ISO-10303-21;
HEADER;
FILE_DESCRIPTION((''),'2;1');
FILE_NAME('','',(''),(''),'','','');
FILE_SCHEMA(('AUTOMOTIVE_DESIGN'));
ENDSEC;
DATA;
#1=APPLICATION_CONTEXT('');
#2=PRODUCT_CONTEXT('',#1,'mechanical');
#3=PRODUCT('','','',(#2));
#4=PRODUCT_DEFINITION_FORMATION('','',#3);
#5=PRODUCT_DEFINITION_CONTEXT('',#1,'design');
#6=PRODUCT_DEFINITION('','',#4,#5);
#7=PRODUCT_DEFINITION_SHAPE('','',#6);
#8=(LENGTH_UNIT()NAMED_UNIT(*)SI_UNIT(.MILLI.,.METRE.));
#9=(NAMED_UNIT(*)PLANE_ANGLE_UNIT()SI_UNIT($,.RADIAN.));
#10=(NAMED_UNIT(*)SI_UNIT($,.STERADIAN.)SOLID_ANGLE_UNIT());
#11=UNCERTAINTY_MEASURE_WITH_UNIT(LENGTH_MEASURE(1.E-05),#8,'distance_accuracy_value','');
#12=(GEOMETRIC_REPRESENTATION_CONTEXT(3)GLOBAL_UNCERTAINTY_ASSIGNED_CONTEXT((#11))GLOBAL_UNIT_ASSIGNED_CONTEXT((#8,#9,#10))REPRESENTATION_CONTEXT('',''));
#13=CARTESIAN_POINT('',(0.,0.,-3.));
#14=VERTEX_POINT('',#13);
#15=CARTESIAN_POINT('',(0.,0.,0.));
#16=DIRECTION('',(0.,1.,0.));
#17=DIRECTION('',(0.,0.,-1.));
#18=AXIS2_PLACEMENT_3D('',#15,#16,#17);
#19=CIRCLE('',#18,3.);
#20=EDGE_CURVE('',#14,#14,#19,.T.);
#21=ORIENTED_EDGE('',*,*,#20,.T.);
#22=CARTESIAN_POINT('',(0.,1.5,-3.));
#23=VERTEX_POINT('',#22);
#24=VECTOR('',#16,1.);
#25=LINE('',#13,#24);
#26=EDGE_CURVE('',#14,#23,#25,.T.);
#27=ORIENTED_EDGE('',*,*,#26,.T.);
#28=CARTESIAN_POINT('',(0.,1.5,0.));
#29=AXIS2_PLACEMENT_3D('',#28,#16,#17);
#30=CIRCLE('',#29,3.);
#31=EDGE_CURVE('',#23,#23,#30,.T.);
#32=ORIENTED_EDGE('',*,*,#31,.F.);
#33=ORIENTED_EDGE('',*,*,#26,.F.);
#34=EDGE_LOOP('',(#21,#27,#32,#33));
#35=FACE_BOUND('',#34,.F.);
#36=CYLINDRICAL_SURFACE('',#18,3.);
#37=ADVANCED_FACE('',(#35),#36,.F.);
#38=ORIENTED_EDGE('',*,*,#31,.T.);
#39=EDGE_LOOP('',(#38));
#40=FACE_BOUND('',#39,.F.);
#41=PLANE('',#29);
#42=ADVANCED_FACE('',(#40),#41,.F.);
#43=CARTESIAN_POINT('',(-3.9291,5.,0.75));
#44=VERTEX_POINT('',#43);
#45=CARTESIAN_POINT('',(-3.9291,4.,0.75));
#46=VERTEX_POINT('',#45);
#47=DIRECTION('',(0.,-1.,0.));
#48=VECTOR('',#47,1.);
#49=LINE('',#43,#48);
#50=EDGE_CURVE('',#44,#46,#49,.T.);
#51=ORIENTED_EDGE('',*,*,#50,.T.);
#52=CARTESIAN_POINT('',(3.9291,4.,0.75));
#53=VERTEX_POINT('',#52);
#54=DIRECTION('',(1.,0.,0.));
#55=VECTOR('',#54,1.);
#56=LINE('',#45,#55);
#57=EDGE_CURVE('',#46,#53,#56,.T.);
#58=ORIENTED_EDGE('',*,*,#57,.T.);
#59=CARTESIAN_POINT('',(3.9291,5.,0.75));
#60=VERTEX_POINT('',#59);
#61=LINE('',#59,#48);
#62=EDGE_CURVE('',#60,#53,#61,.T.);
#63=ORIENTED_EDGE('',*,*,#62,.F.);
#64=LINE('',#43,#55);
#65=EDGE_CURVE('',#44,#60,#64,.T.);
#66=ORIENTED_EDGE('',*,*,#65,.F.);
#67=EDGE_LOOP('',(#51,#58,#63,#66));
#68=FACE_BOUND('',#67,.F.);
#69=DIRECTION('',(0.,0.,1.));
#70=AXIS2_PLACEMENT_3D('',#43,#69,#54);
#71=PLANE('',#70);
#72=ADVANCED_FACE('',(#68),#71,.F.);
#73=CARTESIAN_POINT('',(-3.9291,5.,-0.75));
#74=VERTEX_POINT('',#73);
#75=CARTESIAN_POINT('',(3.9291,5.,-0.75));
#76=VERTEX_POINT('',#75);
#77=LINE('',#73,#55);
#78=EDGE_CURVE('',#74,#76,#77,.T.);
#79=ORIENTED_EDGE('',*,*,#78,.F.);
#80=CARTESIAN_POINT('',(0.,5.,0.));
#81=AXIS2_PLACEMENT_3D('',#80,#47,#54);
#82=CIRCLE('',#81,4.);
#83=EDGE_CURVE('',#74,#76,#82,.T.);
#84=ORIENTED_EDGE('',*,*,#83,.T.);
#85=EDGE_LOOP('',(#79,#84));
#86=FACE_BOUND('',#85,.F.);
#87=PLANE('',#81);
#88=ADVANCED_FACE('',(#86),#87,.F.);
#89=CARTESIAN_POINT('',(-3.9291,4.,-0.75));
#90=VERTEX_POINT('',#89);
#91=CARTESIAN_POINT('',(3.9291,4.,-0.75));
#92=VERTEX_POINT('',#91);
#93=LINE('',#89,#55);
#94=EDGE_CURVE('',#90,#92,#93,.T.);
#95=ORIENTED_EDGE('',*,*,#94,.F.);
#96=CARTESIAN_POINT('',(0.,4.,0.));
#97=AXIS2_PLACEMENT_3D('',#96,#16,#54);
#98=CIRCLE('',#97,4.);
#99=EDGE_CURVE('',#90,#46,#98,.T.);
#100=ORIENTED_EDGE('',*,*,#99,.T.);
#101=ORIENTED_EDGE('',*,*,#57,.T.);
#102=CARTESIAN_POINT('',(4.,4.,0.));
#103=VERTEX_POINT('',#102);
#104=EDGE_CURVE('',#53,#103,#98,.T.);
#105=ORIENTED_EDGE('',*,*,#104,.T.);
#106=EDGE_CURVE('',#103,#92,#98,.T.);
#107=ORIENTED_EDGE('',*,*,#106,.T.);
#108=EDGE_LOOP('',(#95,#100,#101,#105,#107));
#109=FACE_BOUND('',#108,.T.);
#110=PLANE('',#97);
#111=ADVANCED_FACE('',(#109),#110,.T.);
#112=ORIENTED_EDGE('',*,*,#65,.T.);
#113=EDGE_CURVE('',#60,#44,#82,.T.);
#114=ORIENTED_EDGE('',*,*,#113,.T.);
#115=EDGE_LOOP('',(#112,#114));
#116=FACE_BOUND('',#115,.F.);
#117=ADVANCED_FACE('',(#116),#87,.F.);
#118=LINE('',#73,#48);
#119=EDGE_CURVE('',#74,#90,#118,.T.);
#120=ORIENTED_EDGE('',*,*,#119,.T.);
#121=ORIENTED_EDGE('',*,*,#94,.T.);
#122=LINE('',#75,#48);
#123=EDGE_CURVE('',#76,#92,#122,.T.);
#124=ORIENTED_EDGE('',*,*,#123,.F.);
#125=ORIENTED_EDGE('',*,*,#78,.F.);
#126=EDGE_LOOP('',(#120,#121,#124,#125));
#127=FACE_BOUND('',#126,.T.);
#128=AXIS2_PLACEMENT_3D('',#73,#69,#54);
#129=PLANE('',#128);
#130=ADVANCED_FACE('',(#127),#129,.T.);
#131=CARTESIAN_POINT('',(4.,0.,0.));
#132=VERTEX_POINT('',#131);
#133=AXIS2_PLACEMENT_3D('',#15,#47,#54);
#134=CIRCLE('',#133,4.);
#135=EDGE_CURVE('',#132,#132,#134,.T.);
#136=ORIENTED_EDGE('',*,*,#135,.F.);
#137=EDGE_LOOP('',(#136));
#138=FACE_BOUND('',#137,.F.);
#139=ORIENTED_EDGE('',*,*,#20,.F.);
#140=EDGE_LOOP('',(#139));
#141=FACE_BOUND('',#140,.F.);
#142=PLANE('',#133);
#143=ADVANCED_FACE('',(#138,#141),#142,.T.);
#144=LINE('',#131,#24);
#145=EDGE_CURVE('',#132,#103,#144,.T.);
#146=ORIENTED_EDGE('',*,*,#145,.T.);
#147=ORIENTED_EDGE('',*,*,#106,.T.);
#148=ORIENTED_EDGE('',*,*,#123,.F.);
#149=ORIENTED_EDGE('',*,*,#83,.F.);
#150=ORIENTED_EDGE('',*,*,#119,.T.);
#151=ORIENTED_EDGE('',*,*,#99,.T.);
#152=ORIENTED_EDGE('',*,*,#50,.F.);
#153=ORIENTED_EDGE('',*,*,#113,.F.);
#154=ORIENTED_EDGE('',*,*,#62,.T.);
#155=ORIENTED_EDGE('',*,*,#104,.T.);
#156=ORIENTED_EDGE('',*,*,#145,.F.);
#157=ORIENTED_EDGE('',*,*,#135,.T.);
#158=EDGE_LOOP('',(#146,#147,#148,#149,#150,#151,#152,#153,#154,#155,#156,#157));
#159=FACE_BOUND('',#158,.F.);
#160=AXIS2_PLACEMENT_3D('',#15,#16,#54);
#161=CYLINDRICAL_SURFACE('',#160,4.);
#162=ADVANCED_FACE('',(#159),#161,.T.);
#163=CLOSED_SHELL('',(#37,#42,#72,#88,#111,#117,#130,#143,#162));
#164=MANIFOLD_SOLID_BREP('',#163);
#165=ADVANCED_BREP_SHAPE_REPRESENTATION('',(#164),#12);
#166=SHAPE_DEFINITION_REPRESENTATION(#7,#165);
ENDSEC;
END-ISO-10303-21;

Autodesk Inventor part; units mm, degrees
ref_plane "YZ Plane" through (0, 0, 0) normal (1, 0, 0) x (0, 1, 0)
ref_plane "XZ Plane" through (0, 0, 0) normal (0, 1, 0) x (-1, 0, 0)
ref_plane "XY Plane" through (0, 0, 0) normal (0, 0, 1) x (1, 0, 0)
sketch "Sketch1" plane through (0, 0, 0) normal (0, 0, 1) x (1, 0, 0)
  line L0 (0, 0) -> (4, 0)
  line L1 (4, 0) -> (4, 5)
  line L2 (4, 5) -> (0, 5)
  line L3 (0, 5) -> (0, 0)
  point P0 (0, 2.5)
  dimension "d0" = 5
  dimension "d1" = 8
revolve "Revolution1" add sketch "Sketch1" angle 360 about axis through (0, 5, 0) along (0, -1, 0)
sketch "Sketch2" plane through (0, 5, 0) normal (0, 1, 0) x (1, 0, 0)
  circle A0 centre (0, 0) radius 4 projected
  circle A1 centre (0, 0) radius 4 projected
  line L0 (-3.9291, -0.75) -> (3.9291, -0.75)
  line L1 (-3.9291, 0.75) -> (3.9291, 0.75)
  point P0 (0, -0.75)
  dimension "d3" = 0.75
  dimension "d4" = 0.75
extrude "Extrusion1" cut sketch "Sketch2" against normal blind 1 contours A0 L0 L1
sketch "Sketch3" plane through (0, 0, 0) normal (0, -1, 0) x (1, 0, 0)
  circle A0 centre (0, 0) radius 4 projected
hole "Hole1" at (0, 0, 0) direction (0, 1, 0) diameter 6 depth 1.5
thread "Thread1" size "M8x1.25" class "6g" standard "ISO Metric profile" length 10
equation "\"d4\" = d3"
properties part number "138"
